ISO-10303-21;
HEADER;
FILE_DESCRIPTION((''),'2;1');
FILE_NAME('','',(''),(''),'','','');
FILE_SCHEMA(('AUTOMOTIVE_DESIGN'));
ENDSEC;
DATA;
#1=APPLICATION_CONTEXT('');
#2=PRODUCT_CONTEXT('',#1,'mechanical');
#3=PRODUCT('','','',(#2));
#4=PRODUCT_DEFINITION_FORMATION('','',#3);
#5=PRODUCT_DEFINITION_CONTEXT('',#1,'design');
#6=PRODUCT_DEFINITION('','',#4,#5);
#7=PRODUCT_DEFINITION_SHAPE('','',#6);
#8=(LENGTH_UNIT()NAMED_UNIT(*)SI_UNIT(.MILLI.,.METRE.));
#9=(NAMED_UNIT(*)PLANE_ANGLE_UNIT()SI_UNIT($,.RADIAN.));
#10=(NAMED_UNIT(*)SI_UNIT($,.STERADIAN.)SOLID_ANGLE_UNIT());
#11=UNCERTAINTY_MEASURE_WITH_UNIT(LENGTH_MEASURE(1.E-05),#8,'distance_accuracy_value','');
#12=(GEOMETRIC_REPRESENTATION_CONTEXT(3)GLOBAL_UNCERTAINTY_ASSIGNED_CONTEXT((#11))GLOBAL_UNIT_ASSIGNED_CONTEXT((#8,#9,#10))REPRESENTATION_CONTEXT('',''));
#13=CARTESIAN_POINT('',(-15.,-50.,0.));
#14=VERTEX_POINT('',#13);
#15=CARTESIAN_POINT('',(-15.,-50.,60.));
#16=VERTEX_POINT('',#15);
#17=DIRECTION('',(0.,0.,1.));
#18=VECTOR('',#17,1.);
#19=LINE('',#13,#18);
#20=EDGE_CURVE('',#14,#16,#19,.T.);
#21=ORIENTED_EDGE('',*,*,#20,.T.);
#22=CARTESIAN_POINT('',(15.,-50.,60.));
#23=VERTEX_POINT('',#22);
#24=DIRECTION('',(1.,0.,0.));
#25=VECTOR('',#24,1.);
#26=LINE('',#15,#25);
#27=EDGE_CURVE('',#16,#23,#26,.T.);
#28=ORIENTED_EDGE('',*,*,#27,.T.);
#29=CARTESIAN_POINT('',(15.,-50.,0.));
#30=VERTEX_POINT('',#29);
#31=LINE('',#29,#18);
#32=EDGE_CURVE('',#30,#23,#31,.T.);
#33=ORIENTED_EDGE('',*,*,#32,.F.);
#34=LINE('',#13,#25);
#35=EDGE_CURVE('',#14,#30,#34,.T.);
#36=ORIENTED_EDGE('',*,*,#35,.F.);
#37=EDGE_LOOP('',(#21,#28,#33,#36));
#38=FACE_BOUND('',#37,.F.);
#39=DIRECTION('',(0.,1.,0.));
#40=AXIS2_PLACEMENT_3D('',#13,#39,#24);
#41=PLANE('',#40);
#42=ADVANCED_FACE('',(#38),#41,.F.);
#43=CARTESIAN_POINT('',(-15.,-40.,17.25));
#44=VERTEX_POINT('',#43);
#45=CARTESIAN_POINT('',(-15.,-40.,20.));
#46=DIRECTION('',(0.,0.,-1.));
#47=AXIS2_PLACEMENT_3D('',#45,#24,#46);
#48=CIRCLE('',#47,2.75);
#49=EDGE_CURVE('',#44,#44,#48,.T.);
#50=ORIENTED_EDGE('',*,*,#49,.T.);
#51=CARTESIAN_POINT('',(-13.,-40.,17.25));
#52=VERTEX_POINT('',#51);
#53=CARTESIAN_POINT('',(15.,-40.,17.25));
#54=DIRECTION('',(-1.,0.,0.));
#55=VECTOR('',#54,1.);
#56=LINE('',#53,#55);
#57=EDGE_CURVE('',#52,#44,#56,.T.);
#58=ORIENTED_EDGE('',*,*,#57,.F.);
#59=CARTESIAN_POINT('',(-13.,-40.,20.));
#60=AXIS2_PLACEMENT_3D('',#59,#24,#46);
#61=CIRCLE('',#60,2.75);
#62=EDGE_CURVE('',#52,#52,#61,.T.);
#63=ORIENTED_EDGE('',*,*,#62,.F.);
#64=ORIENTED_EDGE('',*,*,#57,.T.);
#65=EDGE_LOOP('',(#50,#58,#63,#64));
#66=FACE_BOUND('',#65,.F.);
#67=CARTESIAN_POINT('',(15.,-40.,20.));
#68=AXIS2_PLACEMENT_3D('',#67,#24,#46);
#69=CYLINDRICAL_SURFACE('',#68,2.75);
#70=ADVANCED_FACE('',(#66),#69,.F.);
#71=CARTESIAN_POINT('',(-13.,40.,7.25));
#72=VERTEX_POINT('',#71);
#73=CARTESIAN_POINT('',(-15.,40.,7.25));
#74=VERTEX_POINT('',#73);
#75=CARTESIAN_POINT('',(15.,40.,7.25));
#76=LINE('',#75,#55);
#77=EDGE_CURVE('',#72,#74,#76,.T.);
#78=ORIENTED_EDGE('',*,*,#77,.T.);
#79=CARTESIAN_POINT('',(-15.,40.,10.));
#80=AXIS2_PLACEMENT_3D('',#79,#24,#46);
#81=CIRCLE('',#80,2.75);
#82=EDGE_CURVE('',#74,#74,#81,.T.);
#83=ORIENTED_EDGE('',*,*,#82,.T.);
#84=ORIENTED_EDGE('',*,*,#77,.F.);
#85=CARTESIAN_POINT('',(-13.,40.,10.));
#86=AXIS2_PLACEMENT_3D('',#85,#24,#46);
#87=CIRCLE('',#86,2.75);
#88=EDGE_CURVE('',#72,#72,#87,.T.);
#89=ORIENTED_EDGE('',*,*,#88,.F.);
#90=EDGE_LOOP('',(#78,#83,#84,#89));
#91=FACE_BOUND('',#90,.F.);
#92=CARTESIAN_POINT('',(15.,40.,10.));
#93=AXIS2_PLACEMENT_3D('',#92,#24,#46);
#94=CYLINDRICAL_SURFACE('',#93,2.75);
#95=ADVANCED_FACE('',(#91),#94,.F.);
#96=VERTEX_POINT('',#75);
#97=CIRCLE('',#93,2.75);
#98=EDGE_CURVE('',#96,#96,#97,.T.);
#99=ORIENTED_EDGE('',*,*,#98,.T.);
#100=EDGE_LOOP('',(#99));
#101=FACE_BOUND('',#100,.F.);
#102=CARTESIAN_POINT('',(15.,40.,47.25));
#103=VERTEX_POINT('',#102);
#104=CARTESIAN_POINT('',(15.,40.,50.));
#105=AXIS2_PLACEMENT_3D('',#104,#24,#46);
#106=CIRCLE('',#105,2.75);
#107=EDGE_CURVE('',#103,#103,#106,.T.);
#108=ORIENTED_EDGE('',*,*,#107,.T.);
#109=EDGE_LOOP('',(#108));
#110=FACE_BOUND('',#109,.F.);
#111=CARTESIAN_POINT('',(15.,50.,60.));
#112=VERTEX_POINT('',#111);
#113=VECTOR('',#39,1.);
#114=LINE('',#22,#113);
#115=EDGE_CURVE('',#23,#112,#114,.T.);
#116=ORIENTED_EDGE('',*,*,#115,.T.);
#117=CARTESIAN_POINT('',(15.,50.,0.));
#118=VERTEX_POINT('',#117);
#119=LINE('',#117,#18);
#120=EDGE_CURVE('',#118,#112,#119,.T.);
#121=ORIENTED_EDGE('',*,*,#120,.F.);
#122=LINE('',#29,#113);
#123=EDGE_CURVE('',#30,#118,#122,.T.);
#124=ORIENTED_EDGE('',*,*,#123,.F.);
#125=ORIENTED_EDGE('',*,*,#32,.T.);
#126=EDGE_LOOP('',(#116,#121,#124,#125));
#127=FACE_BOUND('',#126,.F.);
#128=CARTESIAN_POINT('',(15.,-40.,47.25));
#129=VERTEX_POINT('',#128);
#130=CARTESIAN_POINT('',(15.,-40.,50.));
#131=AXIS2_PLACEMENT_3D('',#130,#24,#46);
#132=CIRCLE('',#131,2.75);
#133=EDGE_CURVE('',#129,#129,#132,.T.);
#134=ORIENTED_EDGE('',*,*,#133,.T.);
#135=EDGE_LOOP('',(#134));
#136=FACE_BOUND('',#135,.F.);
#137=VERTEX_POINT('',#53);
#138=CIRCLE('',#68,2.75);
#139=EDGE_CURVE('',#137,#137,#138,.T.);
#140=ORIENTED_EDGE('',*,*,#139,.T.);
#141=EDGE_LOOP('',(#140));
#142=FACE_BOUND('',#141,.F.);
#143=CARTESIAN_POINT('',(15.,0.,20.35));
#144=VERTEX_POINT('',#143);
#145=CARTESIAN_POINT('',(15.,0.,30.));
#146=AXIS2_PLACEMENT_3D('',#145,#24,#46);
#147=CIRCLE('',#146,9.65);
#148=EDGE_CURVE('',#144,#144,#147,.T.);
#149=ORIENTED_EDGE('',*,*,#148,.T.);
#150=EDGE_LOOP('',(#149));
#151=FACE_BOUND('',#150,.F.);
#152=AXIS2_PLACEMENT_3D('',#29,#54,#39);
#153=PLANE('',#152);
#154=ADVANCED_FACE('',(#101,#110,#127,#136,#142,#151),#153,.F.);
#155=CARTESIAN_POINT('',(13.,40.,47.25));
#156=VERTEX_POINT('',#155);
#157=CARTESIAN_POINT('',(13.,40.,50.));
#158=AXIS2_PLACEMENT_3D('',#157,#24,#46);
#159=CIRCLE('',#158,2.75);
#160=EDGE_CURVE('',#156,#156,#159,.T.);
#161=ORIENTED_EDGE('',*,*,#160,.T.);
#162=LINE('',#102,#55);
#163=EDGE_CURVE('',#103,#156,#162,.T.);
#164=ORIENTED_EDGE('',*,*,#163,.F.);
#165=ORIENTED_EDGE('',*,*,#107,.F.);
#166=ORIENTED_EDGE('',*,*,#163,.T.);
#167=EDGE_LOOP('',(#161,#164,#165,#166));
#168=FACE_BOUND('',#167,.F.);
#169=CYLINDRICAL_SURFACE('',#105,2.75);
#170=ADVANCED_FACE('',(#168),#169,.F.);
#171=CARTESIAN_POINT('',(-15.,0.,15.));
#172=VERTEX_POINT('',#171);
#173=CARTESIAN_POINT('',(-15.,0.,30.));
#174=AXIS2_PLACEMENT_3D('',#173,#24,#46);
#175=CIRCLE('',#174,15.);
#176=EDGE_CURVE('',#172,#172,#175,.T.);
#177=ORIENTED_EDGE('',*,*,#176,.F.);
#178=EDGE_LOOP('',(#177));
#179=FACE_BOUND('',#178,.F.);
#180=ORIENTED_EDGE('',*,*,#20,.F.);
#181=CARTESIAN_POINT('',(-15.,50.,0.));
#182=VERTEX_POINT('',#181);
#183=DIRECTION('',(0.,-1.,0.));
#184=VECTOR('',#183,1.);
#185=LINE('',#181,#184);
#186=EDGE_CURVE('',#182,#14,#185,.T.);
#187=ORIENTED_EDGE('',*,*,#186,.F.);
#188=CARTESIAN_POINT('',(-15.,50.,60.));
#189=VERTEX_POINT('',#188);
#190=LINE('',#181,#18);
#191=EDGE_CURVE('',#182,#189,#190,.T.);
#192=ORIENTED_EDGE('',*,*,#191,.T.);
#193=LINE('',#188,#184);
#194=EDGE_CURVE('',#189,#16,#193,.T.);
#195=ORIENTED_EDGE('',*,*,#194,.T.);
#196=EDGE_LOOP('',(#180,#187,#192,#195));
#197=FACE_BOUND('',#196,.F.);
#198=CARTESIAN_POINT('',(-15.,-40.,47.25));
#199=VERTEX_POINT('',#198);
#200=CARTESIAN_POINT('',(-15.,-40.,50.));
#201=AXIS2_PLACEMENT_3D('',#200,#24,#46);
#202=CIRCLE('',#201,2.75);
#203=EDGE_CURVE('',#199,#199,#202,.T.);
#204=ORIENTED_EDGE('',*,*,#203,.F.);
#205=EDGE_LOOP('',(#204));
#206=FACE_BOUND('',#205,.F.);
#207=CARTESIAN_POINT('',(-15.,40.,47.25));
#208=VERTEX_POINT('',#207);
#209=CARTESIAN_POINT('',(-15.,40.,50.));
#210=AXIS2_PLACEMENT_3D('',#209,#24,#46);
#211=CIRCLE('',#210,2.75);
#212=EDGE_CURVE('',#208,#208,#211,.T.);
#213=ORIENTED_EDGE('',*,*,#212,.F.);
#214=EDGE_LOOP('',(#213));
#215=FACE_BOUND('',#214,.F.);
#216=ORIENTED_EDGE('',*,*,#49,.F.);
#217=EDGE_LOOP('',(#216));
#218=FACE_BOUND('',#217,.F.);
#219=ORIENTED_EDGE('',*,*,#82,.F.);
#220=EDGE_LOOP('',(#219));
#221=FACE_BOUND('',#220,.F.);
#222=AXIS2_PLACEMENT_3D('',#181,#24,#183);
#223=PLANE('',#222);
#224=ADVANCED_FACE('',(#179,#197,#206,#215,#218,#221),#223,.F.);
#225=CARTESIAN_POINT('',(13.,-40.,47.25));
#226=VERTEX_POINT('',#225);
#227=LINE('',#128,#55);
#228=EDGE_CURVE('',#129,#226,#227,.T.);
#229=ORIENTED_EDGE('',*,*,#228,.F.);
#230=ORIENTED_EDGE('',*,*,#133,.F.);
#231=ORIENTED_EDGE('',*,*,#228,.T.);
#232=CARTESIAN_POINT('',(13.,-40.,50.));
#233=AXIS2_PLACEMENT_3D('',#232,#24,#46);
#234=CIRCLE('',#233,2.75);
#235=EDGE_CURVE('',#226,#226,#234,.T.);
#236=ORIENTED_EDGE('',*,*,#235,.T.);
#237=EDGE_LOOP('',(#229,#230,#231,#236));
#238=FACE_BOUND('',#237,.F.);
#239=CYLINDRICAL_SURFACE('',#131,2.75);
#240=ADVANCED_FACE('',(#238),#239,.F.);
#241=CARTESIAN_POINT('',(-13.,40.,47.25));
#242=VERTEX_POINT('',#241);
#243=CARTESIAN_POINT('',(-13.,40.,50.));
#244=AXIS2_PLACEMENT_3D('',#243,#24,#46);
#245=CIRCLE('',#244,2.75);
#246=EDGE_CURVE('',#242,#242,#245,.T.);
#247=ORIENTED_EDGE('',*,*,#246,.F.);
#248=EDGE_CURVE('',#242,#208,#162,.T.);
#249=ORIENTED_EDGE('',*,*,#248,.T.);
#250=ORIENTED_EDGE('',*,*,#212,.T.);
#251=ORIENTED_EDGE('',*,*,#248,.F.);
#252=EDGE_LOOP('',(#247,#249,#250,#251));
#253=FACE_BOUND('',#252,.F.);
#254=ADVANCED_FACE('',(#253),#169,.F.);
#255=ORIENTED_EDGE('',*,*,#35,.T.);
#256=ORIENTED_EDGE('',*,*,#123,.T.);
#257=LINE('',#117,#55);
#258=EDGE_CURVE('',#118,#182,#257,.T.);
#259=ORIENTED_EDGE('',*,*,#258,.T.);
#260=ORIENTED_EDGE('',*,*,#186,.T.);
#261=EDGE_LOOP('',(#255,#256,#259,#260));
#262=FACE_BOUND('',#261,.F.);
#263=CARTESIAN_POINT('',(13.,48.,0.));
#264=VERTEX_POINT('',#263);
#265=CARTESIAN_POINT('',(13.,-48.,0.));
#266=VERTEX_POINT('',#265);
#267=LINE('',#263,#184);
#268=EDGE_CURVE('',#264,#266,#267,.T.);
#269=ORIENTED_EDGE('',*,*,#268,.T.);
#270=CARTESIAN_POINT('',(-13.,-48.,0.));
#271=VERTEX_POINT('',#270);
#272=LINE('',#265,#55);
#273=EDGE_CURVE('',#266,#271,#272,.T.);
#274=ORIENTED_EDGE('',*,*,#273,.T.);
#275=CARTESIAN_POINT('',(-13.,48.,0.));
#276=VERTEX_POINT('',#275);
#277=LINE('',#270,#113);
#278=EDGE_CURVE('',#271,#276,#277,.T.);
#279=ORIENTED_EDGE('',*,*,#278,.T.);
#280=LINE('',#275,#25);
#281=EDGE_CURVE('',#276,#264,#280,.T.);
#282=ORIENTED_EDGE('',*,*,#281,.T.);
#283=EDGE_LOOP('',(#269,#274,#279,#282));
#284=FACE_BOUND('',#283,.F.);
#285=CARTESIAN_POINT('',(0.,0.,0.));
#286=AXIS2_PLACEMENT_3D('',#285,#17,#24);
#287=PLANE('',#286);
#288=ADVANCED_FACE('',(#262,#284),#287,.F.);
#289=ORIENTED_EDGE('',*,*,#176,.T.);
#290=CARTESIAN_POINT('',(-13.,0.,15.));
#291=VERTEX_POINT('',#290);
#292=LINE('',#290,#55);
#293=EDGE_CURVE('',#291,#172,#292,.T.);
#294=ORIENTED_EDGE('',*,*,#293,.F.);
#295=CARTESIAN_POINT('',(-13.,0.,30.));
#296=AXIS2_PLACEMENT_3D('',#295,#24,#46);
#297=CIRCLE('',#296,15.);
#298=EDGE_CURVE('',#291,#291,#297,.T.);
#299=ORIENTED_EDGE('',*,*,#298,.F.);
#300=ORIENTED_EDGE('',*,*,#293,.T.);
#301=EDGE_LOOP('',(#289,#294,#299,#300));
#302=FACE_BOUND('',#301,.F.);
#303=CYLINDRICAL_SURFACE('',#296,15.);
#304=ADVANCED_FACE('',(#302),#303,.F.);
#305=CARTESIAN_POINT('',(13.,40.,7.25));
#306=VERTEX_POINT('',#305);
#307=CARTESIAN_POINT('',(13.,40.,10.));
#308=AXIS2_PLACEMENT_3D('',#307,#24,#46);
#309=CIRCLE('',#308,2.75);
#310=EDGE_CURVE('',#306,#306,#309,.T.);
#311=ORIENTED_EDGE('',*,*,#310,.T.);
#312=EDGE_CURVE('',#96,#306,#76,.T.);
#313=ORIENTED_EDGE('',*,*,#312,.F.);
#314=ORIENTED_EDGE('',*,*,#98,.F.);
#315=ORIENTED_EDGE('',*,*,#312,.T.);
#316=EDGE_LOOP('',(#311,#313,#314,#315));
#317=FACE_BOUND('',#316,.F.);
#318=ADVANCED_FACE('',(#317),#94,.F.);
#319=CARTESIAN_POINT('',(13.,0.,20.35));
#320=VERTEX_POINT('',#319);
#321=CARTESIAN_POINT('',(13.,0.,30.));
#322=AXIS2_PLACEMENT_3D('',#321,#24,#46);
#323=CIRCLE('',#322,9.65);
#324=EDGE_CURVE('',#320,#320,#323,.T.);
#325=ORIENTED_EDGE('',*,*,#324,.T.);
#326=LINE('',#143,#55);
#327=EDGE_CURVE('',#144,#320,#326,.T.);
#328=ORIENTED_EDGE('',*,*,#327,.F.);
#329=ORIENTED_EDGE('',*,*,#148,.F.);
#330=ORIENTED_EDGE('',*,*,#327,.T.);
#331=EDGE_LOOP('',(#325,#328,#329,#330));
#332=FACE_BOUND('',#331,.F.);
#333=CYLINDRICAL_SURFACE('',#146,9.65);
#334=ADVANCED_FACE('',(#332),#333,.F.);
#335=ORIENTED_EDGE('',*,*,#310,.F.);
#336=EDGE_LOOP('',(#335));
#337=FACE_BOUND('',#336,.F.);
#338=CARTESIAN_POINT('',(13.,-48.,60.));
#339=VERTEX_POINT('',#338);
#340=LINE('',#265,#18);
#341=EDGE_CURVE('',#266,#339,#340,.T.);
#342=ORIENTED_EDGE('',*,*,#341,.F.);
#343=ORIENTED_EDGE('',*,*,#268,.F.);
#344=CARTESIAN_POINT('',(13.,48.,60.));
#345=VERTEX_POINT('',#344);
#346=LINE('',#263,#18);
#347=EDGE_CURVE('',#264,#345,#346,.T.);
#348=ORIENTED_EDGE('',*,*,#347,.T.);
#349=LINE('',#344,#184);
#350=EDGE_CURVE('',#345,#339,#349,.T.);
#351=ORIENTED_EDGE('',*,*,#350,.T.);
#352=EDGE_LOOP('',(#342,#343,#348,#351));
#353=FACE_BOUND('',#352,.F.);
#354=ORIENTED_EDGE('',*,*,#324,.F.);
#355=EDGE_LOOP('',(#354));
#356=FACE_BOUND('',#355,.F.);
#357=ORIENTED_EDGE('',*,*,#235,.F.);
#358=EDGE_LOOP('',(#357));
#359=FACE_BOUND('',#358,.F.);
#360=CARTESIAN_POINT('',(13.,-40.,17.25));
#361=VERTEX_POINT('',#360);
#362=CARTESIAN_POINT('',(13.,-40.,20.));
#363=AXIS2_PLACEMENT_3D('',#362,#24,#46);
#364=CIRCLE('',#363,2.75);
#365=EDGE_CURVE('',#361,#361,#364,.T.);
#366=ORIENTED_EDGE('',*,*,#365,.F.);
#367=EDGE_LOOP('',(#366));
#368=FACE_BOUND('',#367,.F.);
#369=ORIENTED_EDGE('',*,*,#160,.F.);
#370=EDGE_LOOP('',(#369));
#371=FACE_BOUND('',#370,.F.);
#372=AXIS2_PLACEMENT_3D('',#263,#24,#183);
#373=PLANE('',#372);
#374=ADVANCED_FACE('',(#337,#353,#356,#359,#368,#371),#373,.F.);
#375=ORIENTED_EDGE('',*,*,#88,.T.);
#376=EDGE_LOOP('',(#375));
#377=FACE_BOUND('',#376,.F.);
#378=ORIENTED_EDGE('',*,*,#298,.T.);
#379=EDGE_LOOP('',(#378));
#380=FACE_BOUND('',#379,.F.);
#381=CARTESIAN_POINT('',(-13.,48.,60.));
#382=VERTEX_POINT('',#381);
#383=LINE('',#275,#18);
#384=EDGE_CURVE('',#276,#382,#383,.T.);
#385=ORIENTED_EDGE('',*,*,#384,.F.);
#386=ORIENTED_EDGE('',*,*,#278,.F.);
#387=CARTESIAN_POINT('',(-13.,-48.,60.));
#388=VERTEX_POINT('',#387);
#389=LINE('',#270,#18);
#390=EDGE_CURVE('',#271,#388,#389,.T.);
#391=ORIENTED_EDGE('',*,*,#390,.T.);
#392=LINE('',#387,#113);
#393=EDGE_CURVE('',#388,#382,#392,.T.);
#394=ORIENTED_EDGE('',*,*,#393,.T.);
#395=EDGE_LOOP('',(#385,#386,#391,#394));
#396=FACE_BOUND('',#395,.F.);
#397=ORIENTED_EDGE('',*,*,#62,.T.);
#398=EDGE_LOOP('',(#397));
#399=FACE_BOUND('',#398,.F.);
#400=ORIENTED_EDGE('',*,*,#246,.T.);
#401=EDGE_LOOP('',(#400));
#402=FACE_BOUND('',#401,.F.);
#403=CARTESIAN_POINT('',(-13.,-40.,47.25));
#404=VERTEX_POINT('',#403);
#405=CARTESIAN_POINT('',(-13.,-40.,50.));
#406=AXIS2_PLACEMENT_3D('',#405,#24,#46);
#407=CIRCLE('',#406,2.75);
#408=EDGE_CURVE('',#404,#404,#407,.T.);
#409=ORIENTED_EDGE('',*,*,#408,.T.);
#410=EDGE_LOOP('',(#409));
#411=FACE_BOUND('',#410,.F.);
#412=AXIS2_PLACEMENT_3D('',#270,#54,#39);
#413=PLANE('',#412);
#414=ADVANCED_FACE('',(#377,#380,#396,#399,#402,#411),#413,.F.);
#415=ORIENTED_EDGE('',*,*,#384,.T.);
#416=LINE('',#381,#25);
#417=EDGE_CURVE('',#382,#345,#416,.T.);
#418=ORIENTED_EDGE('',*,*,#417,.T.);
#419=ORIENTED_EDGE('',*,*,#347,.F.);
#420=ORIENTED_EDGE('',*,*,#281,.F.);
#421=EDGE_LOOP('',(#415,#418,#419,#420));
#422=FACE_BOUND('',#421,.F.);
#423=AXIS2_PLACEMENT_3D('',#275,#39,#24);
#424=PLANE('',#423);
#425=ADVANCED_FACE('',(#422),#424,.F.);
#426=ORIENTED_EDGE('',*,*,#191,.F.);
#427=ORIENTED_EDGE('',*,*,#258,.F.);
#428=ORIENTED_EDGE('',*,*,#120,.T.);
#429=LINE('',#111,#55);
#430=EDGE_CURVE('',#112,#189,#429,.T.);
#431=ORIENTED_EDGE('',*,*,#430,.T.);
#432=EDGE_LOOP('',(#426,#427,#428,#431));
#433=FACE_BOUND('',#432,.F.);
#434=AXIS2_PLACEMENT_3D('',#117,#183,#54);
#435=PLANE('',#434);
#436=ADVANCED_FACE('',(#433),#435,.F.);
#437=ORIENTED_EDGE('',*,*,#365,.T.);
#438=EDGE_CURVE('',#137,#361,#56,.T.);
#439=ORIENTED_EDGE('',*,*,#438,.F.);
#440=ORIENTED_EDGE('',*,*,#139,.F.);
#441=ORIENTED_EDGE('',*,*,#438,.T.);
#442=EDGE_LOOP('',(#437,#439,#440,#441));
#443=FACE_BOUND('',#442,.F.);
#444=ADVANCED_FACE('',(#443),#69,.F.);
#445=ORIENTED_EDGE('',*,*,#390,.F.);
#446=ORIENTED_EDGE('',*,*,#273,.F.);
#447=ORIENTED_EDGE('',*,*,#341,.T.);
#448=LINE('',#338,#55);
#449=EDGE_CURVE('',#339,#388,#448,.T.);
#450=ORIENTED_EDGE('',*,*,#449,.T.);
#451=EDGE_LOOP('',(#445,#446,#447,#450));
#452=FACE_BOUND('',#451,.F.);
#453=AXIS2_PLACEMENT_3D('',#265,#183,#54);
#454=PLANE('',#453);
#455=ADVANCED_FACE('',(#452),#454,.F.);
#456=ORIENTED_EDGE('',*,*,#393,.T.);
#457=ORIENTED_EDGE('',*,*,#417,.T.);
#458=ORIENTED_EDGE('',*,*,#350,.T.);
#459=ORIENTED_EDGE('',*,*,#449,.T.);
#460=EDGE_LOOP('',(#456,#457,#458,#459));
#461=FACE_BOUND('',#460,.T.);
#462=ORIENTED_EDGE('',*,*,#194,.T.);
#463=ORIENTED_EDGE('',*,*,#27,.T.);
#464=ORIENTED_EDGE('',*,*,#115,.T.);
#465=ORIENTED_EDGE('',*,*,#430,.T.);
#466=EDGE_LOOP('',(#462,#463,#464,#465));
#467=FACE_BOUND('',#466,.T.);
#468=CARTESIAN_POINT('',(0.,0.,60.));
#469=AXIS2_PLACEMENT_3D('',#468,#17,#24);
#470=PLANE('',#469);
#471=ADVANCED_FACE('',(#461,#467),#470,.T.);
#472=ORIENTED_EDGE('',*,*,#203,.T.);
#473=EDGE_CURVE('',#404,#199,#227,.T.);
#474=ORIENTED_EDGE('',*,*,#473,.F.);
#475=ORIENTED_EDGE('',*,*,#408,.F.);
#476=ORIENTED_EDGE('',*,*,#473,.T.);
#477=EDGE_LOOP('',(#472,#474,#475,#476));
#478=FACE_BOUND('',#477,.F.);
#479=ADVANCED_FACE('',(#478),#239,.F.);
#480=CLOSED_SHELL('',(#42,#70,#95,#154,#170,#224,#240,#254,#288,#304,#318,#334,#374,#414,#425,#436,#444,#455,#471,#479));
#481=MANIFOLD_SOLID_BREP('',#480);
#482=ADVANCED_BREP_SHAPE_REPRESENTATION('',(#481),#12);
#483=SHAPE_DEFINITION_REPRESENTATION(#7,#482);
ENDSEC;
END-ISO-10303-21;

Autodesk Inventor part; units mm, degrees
ref_plane "YZ Plane" through (0, 0, 0) normal (1, 0, 0) x (0, 1, 0)
ref_plane "XZ Plane" through (0, 0, 0) normal (0, 1, 0) x (-1, 0, 0)
ref_plane "XY Plane" through (0, 0, 0) normal (0, 0, 1) x (1, 0, 0)
sketch "Sketch1" plane through (0, 0, 0) normal (0, 0, 1) x (1, 0, 0)
  line L0 (-15, -50) -> (15, -50)
  line L1 (15, -50) -> (15, 50)
  line L2 (15, 50) -> (-15, 50)
  line L3 (-15, 50) -> (-15, -50)
  line L4 (-15, -50) -> (15, 50) construction
  line L5 (15, -50) -> (-15, 50) construction
  line L6 (-13, 48) -> (13, 48)
  line L7 (13, 48) -> (13, -48)
  line L8 (13, -48) -> (-13, -48)
  line L9 (-13, -48) -> (-13, 48)
  point P0 (0, 0)
  dimension "d0" = 30
  dimension "d1" = 100
  dimension "d2" = 2
extrude "Extrusion1" add sketch "Sketch1" along normal blind 60
sketch "Sketch2" plane through (15, -50, 0) normal (1, 0, 0) x (0, 0, -1)
  circle A0 centre (-30, 50) radius 9.65
  line L0 (-30, 100) -> (-30, 50) construction
  line L1 (0, 0) -> (0, 100) projected
  line L2 (0, 100) -> (-60, 100) projected
  line L3 (-30, 50) -> (0, 50) construction
  circle A1 centre (-50, 90) radius 2.75
  circle A2 centre (-10, 90) radius 2.75
  circle A3 centre (-20, 10) radius 2.75
  circle A4 centre (-50, 10) radius 2.75
  line L4 (0, 0) -> (-60, 0) projected
  dimension "d5" = 19.3
  dimension "d11" = 50
  dimension "d12" = 30
  dimension "d13" = 5.5
  dimension "d14" = 5.5
  dimension "d15" = 5.5
  dimension "d16" = 5.5
  dimension "d18" = 40
  dimension "d19" = 20
  dimension "d20" = 40
  dimension "d21" = 10
  dimension "d22" = 80
  dimension "d23" = 80
  dimension "d24" = 30
  dimension "d25" = 40
extrude "Extrusion2" cut sketch "Sketch2" against normal blind 38.5
sketch "Sketch3" plane through (-13, -48, 0) normal (1, 0, 0) x (0, 0, -1)
  circle A0 centre (-30, 48) radius 9.65 projected
  circle A1 centre (-30, 48) radius 15
  point P0 (0, 48)
  dimension "d8" = 30
extrude "Extrusion3" cut sketch "Sketch3" against normal blind 2 contours A0 | A1
properties part number "transmition Axle Support"
